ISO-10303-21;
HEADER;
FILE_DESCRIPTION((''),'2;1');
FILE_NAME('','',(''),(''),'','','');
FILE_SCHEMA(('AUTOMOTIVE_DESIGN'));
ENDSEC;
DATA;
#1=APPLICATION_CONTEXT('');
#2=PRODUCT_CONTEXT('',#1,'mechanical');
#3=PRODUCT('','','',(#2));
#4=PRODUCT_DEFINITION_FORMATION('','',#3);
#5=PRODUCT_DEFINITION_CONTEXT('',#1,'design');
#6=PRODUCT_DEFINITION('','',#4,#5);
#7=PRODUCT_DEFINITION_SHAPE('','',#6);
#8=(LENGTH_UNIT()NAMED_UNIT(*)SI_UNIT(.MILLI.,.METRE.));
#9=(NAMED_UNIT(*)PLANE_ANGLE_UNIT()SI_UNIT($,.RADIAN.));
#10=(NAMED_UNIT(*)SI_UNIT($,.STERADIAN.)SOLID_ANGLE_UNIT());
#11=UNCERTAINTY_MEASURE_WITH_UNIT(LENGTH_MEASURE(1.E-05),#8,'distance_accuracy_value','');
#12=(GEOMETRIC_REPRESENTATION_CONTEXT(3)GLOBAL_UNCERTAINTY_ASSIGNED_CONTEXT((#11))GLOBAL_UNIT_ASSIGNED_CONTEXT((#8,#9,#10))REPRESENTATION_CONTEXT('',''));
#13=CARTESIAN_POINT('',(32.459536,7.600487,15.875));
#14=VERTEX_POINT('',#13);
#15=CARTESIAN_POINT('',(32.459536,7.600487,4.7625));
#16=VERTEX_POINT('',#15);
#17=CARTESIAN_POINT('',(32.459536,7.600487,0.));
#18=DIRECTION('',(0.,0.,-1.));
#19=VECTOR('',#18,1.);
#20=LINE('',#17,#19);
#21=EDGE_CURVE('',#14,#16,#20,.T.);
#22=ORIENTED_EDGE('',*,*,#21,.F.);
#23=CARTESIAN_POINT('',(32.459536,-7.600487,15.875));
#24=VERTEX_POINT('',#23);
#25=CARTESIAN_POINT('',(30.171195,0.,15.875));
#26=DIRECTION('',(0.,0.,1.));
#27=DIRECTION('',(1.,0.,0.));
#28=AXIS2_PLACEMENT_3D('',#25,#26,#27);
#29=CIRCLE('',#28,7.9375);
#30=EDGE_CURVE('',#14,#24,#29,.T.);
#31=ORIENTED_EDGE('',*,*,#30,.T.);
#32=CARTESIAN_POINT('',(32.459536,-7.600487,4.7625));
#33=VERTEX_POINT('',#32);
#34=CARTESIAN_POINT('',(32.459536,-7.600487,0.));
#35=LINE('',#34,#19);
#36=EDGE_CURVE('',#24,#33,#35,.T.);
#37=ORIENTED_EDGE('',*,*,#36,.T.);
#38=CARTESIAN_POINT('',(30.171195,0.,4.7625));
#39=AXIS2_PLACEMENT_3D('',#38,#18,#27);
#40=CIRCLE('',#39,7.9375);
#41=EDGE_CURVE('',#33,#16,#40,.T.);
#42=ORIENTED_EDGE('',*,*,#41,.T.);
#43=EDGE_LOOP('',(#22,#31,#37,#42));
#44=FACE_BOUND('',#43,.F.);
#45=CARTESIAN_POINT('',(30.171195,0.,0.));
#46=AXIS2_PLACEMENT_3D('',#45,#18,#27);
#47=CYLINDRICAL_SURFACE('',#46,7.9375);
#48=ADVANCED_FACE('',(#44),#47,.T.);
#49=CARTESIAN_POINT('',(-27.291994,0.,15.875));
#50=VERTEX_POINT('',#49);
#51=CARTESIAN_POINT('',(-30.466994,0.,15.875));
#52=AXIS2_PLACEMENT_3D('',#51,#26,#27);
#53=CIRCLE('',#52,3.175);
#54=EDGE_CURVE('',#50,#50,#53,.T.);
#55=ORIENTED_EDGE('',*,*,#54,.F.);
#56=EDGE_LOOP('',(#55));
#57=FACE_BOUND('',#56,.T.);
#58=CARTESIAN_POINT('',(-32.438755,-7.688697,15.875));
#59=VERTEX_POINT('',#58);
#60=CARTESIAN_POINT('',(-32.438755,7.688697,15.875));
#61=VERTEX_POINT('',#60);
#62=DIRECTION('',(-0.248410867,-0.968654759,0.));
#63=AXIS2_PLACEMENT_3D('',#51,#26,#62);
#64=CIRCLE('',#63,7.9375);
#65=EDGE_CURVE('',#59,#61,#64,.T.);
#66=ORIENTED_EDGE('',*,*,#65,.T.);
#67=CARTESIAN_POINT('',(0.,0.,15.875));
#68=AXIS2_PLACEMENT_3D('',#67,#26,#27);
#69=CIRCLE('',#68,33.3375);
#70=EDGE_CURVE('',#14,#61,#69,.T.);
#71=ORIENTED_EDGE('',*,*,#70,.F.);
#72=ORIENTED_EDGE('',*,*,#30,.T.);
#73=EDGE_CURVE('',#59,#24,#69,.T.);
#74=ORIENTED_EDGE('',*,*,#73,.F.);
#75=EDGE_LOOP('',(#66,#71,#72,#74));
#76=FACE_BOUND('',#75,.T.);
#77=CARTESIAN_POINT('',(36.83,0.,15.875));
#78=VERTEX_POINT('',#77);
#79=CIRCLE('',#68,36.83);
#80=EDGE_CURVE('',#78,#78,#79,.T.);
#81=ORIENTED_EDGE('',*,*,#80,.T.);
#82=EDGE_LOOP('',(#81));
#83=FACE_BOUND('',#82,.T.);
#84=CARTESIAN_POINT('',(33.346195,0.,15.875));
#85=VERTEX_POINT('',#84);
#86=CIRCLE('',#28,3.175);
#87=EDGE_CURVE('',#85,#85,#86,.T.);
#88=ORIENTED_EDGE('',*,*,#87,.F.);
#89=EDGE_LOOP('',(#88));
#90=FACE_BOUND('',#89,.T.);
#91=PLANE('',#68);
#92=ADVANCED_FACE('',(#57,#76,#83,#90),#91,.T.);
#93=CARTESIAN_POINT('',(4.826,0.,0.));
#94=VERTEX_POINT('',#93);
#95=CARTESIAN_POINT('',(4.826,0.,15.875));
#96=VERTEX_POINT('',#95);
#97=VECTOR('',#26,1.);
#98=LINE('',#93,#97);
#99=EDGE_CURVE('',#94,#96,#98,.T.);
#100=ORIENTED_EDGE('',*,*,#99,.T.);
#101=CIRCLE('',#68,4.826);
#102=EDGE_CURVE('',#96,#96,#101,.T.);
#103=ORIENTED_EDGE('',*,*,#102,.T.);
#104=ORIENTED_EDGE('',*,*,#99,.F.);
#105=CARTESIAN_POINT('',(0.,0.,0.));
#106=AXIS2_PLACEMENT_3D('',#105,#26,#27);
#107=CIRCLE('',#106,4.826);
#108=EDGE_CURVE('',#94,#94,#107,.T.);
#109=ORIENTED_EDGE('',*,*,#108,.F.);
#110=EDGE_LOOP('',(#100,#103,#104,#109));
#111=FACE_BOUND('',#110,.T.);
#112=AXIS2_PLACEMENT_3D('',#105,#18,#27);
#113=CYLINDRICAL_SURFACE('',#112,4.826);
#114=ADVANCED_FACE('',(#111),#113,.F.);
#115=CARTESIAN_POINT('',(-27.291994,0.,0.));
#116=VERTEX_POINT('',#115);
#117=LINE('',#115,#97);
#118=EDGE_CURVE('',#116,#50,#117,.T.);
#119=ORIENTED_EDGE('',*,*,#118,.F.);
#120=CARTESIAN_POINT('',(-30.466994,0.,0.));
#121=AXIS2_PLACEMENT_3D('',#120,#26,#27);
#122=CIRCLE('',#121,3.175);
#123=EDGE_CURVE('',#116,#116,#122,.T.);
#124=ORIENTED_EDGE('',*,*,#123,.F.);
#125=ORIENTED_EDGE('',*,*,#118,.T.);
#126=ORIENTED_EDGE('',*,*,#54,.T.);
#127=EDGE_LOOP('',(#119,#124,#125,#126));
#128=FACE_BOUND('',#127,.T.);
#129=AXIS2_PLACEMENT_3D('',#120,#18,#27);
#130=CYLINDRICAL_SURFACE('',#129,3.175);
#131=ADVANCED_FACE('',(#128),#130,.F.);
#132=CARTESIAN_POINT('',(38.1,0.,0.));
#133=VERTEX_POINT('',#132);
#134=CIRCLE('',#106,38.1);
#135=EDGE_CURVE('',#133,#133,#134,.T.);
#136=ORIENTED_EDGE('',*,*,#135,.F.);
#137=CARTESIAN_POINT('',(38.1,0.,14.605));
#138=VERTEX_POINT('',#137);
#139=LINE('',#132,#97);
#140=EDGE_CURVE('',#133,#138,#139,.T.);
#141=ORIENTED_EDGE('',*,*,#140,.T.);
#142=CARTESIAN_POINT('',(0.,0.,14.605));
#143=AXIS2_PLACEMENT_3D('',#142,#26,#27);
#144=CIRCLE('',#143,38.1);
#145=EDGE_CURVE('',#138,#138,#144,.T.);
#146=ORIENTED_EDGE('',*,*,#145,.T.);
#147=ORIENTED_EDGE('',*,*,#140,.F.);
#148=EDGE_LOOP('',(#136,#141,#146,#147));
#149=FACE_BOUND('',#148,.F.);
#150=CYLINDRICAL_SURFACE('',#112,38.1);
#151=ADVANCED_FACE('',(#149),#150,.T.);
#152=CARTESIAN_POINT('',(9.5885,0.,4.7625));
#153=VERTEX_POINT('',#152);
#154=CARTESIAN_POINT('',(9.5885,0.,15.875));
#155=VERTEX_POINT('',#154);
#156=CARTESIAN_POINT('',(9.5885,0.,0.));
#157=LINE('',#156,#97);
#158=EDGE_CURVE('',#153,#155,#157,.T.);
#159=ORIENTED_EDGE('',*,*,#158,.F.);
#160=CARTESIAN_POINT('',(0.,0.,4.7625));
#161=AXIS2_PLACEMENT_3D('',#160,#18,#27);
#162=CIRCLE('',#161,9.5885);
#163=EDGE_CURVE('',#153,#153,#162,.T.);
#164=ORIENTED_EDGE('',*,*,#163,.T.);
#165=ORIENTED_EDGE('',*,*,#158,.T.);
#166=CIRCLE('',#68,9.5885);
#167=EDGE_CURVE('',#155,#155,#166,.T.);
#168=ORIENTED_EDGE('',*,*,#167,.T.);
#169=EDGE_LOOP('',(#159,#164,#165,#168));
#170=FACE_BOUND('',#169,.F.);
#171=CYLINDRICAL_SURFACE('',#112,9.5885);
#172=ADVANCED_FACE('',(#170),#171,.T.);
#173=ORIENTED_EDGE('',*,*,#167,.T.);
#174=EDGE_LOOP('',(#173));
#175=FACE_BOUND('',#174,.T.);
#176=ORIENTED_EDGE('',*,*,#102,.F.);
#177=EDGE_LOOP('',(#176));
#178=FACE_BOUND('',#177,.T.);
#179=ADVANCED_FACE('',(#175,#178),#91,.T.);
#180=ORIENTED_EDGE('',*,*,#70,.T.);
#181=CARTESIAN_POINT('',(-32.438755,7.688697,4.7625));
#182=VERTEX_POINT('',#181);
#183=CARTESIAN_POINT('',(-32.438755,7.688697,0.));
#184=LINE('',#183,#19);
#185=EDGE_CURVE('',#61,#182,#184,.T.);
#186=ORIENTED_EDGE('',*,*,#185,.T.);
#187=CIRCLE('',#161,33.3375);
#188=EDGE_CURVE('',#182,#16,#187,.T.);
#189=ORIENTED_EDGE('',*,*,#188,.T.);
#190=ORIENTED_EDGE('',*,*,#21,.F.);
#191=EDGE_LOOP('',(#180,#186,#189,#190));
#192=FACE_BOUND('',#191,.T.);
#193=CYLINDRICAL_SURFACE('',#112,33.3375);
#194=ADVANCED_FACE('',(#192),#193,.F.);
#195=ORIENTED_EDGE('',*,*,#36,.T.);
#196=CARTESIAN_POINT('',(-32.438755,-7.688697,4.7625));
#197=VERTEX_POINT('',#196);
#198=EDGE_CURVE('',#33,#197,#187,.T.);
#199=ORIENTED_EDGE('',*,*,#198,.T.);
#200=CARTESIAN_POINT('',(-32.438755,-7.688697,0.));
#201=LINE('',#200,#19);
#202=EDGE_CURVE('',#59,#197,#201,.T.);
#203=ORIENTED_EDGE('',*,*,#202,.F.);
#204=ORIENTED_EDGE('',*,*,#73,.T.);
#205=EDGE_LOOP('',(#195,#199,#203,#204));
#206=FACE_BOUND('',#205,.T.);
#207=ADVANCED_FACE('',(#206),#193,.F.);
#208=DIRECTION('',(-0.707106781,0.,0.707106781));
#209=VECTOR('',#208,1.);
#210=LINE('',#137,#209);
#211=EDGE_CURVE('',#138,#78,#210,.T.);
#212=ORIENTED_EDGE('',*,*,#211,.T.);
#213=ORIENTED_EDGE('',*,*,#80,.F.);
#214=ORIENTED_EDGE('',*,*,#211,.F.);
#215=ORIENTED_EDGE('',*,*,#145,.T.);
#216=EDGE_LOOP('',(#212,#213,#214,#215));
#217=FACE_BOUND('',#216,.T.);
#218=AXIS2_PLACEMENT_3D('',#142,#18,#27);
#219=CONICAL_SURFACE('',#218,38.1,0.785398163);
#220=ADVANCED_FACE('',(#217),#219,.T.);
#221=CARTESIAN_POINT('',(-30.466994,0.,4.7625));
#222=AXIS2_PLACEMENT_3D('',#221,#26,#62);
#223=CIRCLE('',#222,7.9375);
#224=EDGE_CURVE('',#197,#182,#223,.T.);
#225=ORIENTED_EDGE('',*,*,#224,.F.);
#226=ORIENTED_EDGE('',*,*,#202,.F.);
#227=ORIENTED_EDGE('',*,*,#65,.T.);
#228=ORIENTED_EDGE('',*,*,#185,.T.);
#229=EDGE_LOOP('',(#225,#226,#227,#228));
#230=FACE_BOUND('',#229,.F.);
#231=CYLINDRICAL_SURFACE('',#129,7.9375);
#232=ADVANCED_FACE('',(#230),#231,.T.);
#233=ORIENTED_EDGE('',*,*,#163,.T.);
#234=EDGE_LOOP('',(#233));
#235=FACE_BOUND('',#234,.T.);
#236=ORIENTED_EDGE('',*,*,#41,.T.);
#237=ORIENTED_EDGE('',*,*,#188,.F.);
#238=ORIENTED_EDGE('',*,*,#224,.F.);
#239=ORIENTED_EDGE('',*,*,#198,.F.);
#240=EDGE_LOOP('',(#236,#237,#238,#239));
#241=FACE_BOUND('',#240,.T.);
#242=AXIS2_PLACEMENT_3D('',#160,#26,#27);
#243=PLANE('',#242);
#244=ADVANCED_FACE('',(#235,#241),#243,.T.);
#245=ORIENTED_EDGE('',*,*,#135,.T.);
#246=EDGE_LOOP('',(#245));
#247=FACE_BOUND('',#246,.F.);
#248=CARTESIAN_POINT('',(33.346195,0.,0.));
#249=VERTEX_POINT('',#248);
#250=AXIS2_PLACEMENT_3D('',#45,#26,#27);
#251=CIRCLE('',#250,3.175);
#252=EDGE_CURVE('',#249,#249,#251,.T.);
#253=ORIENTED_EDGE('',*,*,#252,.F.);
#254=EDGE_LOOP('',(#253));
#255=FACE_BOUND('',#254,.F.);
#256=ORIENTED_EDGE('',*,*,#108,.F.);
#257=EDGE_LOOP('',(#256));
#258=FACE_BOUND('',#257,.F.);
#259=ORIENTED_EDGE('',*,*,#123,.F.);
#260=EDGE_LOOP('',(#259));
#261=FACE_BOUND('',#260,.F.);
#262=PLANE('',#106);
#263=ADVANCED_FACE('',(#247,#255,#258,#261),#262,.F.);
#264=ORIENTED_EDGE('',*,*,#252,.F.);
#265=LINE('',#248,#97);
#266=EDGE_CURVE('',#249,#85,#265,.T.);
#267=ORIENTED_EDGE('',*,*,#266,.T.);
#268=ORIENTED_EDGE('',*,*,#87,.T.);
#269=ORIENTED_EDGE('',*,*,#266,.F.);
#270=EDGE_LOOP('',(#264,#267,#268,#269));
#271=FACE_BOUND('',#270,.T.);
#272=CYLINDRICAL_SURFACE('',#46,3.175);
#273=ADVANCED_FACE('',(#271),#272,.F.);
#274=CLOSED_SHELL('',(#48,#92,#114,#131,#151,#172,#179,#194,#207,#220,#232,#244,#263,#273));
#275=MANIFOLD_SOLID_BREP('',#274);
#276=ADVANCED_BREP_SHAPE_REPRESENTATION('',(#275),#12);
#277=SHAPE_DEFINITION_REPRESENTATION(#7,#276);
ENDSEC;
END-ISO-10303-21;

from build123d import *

# Parameters (mm, degrees)
F0_R     = 38.1
F0_R_2   = 3.175
F0_R_3   = 4.826
F1_DEPTH = 15.875
F2_T     = -4.7625
F3_SIZE  = 1.27


with BuildPart() as f1:
    # F0 (on Top) → F1 (new body)
    with BuildSketch(Plane.XY):
        Circle(F0_R)
        with Locations((-30.466994, 0)):
            Circle(F0_R_2, mode=Mode.SUBTRACT)
        Circle(F0_R_3, mode=Mode.SUBTRACT)
        with Locations((30.171195, 0)):
            Circle(F0_R_2, mode=Mode.SUBTRACT)
    extrude(amount=F1_DEPTH)

    # F2
    f2_openings = [f1.faces().sort_by_distance(p)[0] for p in [
        (-37.022369, 0, 15.875),
    ]]
    offset(amount=F2_T, openings=f2_openings)

    # F3
    f3_edges = [f1.edges().sort_by_distance(p)[0] for p in [
        (-38.1, 0, 15.875),
    ]]
    chamfer(f3_edges, length=F3_SIZE)


solid = f1.part
